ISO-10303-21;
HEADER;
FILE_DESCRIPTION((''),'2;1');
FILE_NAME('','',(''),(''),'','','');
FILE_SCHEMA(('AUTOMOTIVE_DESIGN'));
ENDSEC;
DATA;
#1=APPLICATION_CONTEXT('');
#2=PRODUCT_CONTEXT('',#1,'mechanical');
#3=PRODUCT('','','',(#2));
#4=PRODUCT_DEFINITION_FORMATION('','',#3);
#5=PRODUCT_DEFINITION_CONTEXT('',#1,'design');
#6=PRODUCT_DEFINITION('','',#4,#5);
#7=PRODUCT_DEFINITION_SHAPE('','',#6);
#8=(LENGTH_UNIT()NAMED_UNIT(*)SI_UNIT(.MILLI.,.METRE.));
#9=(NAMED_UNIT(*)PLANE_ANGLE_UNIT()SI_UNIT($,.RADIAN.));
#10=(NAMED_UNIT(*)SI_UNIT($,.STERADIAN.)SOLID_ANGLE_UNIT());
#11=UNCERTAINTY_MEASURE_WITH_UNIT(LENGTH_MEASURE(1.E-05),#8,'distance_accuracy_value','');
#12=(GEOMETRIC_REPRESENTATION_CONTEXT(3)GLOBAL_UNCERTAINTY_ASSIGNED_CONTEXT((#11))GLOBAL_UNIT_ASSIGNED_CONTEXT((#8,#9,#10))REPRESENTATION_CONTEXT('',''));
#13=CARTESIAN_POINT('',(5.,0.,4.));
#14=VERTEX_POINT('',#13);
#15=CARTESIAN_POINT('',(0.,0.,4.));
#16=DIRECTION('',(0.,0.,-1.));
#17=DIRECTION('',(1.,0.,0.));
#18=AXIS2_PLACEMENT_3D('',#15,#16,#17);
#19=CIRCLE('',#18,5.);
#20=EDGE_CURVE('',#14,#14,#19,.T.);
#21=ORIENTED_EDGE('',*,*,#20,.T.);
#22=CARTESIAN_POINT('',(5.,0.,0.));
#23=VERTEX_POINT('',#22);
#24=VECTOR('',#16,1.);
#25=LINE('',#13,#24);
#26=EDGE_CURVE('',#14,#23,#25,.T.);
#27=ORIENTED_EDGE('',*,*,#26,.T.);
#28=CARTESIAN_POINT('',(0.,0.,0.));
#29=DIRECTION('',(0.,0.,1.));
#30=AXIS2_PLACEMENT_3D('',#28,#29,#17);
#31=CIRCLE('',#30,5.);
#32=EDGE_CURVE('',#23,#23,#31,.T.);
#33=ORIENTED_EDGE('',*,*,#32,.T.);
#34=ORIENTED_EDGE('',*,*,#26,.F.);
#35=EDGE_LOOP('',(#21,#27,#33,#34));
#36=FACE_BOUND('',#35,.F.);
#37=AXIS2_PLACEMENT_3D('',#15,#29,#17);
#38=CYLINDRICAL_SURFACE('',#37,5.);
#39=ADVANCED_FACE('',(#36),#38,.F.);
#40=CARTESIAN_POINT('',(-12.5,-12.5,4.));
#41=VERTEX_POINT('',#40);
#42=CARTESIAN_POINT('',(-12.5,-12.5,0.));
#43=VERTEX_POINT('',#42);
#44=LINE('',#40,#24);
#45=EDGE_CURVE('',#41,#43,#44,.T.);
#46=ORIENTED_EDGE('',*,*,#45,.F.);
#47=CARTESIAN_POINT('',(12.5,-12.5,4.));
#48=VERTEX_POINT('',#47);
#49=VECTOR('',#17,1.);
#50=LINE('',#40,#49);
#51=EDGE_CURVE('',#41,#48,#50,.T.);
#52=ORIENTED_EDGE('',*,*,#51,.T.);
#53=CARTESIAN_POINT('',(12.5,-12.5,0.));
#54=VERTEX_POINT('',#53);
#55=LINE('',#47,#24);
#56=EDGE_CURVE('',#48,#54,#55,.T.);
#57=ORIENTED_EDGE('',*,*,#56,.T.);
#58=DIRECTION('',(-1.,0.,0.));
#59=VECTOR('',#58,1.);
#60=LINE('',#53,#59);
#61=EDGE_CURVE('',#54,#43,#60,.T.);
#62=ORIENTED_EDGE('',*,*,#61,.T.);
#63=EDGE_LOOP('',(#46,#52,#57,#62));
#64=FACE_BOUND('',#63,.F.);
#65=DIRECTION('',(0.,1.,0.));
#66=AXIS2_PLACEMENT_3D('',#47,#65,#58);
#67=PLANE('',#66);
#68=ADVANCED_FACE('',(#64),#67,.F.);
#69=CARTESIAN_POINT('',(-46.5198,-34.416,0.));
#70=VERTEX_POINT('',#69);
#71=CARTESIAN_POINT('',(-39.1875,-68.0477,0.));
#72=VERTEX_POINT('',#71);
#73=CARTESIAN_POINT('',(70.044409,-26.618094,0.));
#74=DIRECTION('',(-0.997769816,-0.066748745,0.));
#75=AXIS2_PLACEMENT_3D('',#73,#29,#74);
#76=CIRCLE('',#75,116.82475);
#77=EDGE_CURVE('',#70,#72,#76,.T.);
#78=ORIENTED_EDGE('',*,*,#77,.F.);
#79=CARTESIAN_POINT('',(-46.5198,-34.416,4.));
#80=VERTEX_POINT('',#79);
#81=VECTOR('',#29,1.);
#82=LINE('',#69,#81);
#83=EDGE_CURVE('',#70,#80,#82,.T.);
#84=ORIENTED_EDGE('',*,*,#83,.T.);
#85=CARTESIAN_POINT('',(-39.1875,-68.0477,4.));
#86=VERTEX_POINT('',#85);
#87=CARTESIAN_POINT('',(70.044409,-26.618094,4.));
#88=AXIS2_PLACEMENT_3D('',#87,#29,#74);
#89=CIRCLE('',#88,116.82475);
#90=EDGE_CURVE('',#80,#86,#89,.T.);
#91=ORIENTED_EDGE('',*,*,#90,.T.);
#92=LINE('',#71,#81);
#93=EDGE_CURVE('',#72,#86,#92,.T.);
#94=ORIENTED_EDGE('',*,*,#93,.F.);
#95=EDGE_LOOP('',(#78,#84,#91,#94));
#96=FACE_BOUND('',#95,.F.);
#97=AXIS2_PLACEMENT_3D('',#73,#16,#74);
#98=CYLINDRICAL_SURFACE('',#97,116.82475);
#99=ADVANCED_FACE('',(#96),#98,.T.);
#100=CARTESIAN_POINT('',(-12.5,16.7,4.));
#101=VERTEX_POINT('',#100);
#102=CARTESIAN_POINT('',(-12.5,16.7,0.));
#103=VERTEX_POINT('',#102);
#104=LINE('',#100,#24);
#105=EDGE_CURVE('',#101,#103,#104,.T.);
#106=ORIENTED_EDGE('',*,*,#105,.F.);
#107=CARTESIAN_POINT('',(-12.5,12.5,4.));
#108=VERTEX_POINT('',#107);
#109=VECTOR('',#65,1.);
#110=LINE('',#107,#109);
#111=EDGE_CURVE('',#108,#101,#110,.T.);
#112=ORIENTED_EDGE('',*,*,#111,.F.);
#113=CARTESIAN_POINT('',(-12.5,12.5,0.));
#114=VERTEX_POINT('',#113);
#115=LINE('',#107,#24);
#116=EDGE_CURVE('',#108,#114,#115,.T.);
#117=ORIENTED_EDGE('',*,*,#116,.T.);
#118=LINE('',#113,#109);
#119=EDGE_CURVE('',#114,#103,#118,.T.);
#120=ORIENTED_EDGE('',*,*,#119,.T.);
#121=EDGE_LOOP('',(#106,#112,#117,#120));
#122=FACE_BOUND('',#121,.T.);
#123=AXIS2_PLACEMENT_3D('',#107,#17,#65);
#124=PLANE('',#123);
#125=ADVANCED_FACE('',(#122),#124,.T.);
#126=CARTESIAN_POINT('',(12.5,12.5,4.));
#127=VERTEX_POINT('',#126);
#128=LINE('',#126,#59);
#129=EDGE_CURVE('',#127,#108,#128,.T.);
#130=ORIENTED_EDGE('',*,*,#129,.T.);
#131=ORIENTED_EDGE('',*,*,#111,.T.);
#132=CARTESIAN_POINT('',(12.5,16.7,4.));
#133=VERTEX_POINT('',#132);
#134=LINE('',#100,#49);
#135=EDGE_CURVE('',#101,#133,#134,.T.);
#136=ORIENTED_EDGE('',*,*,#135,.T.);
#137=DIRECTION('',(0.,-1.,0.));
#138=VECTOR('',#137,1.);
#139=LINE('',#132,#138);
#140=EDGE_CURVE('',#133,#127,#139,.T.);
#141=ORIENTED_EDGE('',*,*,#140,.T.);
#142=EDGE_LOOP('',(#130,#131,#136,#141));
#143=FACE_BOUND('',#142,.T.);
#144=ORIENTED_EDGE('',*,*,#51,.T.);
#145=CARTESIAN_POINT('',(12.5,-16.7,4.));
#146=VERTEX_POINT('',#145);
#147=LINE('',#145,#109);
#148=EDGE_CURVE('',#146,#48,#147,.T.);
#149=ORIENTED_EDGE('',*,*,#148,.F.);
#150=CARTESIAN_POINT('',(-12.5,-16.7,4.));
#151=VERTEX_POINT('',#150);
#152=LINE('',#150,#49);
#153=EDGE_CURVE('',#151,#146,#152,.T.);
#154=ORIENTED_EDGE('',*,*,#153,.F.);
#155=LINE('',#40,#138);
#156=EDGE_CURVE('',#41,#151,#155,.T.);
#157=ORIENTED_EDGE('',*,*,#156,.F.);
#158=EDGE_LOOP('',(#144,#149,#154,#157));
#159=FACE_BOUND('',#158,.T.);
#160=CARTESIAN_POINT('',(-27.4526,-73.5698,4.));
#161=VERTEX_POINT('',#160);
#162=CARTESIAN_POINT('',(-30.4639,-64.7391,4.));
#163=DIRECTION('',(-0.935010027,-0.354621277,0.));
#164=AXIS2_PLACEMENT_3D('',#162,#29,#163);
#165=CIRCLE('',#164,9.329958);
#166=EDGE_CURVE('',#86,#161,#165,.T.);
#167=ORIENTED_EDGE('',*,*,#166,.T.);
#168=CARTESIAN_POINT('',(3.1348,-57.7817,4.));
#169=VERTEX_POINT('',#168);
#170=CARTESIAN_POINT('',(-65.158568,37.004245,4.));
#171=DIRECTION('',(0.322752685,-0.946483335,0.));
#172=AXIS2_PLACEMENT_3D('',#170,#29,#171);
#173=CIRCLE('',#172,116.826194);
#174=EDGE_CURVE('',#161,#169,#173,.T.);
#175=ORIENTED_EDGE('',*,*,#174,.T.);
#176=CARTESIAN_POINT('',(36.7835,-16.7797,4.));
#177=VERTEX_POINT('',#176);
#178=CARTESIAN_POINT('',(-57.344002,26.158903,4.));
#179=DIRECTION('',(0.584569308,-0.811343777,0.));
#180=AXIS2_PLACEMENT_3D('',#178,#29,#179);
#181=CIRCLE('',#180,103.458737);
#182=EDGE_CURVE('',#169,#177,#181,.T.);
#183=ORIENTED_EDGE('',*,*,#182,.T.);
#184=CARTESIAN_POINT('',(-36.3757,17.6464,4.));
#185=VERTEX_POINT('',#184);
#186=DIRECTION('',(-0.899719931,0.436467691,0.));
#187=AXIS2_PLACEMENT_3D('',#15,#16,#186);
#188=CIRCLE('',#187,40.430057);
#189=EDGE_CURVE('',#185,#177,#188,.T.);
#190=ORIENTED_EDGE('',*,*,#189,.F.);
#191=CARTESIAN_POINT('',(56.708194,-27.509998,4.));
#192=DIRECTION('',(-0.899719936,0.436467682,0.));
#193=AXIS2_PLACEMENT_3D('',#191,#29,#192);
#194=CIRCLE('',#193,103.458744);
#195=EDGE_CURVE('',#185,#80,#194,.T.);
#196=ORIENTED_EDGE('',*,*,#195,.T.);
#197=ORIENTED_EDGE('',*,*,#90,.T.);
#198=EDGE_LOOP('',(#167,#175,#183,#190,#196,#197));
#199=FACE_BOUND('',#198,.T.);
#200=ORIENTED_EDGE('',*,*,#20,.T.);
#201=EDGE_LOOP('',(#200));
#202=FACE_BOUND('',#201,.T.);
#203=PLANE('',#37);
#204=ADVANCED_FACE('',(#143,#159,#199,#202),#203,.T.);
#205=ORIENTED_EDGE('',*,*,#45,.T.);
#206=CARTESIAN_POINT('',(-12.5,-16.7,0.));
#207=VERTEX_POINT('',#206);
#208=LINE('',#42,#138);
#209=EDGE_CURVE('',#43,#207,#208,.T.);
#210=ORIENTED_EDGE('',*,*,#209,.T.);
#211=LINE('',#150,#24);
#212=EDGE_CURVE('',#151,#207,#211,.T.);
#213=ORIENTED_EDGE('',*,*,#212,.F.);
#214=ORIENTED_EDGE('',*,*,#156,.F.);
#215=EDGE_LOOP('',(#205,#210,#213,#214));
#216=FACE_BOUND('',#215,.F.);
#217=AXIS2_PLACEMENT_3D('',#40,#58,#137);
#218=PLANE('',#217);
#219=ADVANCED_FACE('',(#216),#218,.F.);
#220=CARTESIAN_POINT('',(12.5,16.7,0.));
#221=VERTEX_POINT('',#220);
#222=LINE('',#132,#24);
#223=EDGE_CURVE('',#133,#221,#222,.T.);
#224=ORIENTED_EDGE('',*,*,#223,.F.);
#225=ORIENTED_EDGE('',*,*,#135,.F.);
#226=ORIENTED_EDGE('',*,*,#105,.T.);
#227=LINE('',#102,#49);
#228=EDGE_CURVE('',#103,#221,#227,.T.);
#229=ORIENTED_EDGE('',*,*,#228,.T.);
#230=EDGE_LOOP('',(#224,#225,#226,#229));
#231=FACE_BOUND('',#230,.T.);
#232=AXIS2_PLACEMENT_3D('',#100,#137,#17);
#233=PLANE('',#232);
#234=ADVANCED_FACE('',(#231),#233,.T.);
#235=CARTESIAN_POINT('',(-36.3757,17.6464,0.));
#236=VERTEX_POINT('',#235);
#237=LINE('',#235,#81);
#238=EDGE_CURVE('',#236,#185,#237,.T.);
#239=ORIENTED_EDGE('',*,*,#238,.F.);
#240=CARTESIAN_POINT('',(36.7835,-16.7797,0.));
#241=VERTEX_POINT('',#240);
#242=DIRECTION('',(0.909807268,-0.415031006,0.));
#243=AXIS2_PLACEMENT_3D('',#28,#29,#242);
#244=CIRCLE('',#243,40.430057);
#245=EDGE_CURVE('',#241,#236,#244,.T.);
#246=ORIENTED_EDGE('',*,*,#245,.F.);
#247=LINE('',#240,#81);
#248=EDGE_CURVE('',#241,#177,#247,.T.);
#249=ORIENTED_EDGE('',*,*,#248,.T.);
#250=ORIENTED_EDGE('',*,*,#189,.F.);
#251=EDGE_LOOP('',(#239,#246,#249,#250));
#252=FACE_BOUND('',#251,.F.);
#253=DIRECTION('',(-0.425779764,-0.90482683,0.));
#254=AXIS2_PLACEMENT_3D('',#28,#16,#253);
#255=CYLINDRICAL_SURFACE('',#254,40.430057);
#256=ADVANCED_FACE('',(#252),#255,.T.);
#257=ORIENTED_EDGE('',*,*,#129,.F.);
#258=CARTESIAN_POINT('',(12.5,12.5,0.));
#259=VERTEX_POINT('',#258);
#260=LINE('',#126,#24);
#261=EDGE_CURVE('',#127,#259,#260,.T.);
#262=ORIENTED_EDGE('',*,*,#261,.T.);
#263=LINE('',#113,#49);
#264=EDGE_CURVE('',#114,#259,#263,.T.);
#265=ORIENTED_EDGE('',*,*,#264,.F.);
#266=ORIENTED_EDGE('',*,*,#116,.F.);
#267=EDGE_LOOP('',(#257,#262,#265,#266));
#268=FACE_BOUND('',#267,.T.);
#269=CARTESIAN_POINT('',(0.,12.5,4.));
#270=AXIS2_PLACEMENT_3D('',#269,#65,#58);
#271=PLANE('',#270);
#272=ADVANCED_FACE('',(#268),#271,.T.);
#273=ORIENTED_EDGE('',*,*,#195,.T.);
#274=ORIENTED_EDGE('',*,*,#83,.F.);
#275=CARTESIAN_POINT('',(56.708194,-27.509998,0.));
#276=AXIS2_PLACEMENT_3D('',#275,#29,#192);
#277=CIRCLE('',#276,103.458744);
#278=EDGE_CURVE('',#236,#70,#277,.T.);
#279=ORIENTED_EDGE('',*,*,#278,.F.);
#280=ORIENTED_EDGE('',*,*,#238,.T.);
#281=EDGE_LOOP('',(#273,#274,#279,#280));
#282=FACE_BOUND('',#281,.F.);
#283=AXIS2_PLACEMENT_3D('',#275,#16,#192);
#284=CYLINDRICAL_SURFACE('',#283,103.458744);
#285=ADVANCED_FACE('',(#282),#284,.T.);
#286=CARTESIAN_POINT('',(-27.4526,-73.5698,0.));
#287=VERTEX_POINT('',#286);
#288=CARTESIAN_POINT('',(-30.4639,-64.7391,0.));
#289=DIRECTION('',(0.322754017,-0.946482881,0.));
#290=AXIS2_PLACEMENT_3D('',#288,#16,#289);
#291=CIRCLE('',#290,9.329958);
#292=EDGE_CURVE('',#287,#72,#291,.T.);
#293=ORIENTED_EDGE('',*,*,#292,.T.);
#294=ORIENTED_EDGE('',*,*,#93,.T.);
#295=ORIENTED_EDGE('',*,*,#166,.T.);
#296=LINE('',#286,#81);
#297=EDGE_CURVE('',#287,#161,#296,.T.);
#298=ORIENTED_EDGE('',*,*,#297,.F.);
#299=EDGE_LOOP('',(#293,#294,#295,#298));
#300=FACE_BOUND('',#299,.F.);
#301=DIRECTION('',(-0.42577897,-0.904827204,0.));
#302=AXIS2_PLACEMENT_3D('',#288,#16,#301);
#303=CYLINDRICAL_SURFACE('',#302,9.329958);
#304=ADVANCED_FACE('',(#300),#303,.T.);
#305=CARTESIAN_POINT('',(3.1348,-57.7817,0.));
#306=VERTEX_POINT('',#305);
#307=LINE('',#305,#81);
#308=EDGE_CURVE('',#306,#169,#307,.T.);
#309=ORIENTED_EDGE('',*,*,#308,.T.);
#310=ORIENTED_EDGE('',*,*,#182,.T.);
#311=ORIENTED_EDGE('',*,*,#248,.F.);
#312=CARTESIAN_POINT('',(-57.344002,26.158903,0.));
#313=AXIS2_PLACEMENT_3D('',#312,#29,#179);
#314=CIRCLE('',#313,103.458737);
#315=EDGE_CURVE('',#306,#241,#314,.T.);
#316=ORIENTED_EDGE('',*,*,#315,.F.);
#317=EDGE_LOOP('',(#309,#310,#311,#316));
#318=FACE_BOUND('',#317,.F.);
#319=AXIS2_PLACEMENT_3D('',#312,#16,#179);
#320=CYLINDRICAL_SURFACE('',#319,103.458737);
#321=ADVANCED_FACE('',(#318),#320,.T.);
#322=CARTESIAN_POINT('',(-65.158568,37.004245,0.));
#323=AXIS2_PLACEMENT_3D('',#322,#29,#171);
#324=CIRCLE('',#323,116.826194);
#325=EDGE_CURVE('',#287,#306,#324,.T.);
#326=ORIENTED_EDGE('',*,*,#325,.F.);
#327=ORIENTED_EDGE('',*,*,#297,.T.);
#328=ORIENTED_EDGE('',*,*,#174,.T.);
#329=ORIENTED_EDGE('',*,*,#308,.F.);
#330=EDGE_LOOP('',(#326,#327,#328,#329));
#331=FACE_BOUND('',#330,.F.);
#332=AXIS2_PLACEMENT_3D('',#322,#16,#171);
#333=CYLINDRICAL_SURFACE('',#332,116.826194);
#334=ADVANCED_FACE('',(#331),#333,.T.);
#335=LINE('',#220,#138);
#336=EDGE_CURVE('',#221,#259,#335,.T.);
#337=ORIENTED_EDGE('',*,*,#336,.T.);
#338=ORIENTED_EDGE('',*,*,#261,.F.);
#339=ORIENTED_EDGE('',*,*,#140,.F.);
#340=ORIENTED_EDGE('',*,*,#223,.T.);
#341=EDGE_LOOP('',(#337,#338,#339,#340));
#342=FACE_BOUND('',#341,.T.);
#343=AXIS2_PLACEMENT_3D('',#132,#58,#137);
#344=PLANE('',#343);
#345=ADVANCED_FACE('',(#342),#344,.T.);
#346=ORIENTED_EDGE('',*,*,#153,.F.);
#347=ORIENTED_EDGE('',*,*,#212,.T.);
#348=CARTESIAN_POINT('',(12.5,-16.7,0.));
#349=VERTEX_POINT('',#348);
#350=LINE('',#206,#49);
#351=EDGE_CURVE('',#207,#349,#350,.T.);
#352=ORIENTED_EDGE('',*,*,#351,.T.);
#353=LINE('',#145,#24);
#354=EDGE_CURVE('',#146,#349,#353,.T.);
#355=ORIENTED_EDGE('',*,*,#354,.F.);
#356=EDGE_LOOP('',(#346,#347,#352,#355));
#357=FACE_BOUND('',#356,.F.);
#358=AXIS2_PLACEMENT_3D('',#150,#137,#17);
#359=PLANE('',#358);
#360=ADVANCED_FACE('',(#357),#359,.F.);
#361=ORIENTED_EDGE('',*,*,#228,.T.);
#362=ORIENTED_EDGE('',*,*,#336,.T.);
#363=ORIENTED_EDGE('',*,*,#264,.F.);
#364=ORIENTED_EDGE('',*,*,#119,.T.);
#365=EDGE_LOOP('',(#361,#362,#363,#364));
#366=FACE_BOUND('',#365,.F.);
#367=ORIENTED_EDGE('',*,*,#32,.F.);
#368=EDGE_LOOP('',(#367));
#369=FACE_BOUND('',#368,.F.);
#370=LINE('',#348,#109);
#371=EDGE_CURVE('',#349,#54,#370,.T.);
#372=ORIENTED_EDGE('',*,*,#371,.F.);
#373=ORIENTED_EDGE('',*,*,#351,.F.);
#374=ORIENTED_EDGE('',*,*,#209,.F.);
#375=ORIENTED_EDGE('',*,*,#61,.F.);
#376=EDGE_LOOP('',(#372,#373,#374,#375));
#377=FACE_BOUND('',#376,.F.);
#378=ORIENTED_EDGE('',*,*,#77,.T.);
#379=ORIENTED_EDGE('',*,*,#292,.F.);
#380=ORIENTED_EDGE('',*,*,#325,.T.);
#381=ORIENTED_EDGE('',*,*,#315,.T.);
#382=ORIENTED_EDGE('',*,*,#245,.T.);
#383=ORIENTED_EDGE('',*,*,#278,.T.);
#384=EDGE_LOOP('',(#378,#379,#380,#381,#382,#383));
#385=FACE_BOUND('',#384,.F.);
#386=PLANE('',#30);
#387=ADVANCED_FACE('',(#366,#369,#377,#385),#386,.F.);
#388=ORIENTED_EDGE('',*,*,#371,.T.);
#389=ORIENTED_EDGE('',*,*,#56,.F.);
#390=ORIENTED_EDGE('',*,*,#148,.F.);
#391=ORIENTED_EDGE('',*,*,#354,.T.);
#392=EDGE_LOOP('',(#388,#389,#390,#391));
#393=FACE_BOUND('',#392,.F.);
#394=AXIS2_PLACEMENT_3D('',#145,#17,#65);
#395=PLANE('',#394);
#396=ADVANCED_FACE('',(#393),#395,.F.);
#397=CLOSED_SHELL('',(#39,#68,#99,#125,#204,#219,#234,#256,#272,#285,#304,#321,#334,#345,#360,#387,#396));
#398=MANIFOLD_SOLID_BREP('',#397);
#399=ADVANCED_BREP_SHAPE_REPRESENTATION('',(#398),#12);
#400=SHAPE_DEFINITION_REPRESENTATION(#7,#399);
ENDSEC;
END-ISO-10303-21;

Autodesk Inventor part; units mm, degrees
ref_plane "YZ Plane" through (0, 0, 0) normal (1, 0, 0) x (0, 1, 0)
ref_plane "XZ Plane" through (0, 0, 0) normal (0, 1, 0) x (-1, 0, 0)
ref_plane "XY Plane" through (0, 0, 0) normal (0, 0, 1) x (1, 0, 0)
sketch "Boceto1" plane through (0, 0, 0) normal (0, 0, 1) x (1, 0, 0)
  arc A0 (17.2143, 36.5822) -> (-17.2143, -36.5822) centre (0, 0) ccw
  arc A1 (-26.4914, -56.2971) -> (-34.4364, -73.1811) centre (-30.4639, -64.7391) ccw
  line L0 (-35.5866, -75.6253) -> (-44.0286, -71.6528)
  line L1 (-36.3757, 17.6464) -> (-50.4457, 24.2673)
  line L2 (-50.4457, 24.2673) -> (-44.0286, -71.6528)
  line L3 (-44.0286, -71.6528) -> (-46.5198, -34.416)
  arc A2 (-36.3757, 17.6464) -> (-46.5198, -34.416) centre (56.7082, -27.51) ccw
  arc A3 (-46.5198, -34.416) -> (-39.1875, -68.0477) centre (70.0479, -26.6176) ccw
  line L4 (1.3242, 2.814) -> (17.2143, 36.5822)
  line L5 (-1.3242, -2.814) -> (-35.5866, -75.6253)
  arc A4 (-17.2143, -36.5822) -> (17.2143, 36.5822) centre (0, 0) ccw
  arc A5 (-34.4364, -73.1811) -> (-26.4914, -56.2971) centre (-30.4639, -64.7391) ccw
  line L6 (-35.5866, -75.6253) -> (-27.1445, -79.5978)
  line L7 (36.7835, -16.7797) -> (50.8536, -23.4006)
  line L8 (50.8536, -23.4006) -> (-27.1445, -79.5978)
  line L9 (-27.1445, -79.5978) -> (3.1348, -57.7817)
  arc A6 (3.1348, -57.7817) -> (36.7835, -16.7797) centre (-57.344, 26.1589) ccw
  arc A7 (-27.4526, -73.5698) -> (3.1348, -57.7817) centre (-65.1594, 37.0062) ccw
  dimension "d0" = 80.86
  dimension "d6" = 18.66
  dimension "d7" = 9.33
  dimension "d8" = 15.55
  dimension "d9" = 37.32
extrude "Extrusión2" add sketch "Boceto1" along normal blind 4 contours A4 A0 | A0 L5 A1 A3 A2 | A6 A7 A5 L5 A4 | L5 A1 | A5 L5
sketch "Boceto2" plane through (0, 0, 4) normal (0, 0, 1) x (1, 0, 0)
  line L0 (0, 0) -> (0, 12.5)
  line L1 (0, 12.5) -> (-12.5, 12.5)
  line L2 (-12.5, 12.5) -> (-12.5, 16.7)
  line L3 (-12.5, 16.7) -> (12.5, 16.7)
  line L4 (12.5, 16.7) -> (12.5, 12.5)
  line L5 (12.5, 12.5) -> (0, 12.5)
  line L6 (0, 0) -> (12.5, 0)
  line L7 (0, 0) -> (0, -12.5)
  line L8 (0, -12.5) -> (-12.5, -12.5)
  line L9 (-12.5, -12.5) -> (-12.5, -16.7)
  line L10 (-12.5, -16.7) -> (12.5, -16.7)
  line L11 (12.5, -16.7) -> (12.5, -12.5)
  line L12 (12.5, -12.5) -> (0, -12.5)
  circle A0 centre (0, 0) radius 5
  dimension "d24" = 12.5
  dimension "d25" = 12.5
  dimension "d26" = 4.2
  dimension "d27" = 25
  dimension "d28" = 10
extrude "Extrusión3" cut sketch "Boceto2" against normal blind 4
properties part number "leva00" material "Madera (abedul)"
